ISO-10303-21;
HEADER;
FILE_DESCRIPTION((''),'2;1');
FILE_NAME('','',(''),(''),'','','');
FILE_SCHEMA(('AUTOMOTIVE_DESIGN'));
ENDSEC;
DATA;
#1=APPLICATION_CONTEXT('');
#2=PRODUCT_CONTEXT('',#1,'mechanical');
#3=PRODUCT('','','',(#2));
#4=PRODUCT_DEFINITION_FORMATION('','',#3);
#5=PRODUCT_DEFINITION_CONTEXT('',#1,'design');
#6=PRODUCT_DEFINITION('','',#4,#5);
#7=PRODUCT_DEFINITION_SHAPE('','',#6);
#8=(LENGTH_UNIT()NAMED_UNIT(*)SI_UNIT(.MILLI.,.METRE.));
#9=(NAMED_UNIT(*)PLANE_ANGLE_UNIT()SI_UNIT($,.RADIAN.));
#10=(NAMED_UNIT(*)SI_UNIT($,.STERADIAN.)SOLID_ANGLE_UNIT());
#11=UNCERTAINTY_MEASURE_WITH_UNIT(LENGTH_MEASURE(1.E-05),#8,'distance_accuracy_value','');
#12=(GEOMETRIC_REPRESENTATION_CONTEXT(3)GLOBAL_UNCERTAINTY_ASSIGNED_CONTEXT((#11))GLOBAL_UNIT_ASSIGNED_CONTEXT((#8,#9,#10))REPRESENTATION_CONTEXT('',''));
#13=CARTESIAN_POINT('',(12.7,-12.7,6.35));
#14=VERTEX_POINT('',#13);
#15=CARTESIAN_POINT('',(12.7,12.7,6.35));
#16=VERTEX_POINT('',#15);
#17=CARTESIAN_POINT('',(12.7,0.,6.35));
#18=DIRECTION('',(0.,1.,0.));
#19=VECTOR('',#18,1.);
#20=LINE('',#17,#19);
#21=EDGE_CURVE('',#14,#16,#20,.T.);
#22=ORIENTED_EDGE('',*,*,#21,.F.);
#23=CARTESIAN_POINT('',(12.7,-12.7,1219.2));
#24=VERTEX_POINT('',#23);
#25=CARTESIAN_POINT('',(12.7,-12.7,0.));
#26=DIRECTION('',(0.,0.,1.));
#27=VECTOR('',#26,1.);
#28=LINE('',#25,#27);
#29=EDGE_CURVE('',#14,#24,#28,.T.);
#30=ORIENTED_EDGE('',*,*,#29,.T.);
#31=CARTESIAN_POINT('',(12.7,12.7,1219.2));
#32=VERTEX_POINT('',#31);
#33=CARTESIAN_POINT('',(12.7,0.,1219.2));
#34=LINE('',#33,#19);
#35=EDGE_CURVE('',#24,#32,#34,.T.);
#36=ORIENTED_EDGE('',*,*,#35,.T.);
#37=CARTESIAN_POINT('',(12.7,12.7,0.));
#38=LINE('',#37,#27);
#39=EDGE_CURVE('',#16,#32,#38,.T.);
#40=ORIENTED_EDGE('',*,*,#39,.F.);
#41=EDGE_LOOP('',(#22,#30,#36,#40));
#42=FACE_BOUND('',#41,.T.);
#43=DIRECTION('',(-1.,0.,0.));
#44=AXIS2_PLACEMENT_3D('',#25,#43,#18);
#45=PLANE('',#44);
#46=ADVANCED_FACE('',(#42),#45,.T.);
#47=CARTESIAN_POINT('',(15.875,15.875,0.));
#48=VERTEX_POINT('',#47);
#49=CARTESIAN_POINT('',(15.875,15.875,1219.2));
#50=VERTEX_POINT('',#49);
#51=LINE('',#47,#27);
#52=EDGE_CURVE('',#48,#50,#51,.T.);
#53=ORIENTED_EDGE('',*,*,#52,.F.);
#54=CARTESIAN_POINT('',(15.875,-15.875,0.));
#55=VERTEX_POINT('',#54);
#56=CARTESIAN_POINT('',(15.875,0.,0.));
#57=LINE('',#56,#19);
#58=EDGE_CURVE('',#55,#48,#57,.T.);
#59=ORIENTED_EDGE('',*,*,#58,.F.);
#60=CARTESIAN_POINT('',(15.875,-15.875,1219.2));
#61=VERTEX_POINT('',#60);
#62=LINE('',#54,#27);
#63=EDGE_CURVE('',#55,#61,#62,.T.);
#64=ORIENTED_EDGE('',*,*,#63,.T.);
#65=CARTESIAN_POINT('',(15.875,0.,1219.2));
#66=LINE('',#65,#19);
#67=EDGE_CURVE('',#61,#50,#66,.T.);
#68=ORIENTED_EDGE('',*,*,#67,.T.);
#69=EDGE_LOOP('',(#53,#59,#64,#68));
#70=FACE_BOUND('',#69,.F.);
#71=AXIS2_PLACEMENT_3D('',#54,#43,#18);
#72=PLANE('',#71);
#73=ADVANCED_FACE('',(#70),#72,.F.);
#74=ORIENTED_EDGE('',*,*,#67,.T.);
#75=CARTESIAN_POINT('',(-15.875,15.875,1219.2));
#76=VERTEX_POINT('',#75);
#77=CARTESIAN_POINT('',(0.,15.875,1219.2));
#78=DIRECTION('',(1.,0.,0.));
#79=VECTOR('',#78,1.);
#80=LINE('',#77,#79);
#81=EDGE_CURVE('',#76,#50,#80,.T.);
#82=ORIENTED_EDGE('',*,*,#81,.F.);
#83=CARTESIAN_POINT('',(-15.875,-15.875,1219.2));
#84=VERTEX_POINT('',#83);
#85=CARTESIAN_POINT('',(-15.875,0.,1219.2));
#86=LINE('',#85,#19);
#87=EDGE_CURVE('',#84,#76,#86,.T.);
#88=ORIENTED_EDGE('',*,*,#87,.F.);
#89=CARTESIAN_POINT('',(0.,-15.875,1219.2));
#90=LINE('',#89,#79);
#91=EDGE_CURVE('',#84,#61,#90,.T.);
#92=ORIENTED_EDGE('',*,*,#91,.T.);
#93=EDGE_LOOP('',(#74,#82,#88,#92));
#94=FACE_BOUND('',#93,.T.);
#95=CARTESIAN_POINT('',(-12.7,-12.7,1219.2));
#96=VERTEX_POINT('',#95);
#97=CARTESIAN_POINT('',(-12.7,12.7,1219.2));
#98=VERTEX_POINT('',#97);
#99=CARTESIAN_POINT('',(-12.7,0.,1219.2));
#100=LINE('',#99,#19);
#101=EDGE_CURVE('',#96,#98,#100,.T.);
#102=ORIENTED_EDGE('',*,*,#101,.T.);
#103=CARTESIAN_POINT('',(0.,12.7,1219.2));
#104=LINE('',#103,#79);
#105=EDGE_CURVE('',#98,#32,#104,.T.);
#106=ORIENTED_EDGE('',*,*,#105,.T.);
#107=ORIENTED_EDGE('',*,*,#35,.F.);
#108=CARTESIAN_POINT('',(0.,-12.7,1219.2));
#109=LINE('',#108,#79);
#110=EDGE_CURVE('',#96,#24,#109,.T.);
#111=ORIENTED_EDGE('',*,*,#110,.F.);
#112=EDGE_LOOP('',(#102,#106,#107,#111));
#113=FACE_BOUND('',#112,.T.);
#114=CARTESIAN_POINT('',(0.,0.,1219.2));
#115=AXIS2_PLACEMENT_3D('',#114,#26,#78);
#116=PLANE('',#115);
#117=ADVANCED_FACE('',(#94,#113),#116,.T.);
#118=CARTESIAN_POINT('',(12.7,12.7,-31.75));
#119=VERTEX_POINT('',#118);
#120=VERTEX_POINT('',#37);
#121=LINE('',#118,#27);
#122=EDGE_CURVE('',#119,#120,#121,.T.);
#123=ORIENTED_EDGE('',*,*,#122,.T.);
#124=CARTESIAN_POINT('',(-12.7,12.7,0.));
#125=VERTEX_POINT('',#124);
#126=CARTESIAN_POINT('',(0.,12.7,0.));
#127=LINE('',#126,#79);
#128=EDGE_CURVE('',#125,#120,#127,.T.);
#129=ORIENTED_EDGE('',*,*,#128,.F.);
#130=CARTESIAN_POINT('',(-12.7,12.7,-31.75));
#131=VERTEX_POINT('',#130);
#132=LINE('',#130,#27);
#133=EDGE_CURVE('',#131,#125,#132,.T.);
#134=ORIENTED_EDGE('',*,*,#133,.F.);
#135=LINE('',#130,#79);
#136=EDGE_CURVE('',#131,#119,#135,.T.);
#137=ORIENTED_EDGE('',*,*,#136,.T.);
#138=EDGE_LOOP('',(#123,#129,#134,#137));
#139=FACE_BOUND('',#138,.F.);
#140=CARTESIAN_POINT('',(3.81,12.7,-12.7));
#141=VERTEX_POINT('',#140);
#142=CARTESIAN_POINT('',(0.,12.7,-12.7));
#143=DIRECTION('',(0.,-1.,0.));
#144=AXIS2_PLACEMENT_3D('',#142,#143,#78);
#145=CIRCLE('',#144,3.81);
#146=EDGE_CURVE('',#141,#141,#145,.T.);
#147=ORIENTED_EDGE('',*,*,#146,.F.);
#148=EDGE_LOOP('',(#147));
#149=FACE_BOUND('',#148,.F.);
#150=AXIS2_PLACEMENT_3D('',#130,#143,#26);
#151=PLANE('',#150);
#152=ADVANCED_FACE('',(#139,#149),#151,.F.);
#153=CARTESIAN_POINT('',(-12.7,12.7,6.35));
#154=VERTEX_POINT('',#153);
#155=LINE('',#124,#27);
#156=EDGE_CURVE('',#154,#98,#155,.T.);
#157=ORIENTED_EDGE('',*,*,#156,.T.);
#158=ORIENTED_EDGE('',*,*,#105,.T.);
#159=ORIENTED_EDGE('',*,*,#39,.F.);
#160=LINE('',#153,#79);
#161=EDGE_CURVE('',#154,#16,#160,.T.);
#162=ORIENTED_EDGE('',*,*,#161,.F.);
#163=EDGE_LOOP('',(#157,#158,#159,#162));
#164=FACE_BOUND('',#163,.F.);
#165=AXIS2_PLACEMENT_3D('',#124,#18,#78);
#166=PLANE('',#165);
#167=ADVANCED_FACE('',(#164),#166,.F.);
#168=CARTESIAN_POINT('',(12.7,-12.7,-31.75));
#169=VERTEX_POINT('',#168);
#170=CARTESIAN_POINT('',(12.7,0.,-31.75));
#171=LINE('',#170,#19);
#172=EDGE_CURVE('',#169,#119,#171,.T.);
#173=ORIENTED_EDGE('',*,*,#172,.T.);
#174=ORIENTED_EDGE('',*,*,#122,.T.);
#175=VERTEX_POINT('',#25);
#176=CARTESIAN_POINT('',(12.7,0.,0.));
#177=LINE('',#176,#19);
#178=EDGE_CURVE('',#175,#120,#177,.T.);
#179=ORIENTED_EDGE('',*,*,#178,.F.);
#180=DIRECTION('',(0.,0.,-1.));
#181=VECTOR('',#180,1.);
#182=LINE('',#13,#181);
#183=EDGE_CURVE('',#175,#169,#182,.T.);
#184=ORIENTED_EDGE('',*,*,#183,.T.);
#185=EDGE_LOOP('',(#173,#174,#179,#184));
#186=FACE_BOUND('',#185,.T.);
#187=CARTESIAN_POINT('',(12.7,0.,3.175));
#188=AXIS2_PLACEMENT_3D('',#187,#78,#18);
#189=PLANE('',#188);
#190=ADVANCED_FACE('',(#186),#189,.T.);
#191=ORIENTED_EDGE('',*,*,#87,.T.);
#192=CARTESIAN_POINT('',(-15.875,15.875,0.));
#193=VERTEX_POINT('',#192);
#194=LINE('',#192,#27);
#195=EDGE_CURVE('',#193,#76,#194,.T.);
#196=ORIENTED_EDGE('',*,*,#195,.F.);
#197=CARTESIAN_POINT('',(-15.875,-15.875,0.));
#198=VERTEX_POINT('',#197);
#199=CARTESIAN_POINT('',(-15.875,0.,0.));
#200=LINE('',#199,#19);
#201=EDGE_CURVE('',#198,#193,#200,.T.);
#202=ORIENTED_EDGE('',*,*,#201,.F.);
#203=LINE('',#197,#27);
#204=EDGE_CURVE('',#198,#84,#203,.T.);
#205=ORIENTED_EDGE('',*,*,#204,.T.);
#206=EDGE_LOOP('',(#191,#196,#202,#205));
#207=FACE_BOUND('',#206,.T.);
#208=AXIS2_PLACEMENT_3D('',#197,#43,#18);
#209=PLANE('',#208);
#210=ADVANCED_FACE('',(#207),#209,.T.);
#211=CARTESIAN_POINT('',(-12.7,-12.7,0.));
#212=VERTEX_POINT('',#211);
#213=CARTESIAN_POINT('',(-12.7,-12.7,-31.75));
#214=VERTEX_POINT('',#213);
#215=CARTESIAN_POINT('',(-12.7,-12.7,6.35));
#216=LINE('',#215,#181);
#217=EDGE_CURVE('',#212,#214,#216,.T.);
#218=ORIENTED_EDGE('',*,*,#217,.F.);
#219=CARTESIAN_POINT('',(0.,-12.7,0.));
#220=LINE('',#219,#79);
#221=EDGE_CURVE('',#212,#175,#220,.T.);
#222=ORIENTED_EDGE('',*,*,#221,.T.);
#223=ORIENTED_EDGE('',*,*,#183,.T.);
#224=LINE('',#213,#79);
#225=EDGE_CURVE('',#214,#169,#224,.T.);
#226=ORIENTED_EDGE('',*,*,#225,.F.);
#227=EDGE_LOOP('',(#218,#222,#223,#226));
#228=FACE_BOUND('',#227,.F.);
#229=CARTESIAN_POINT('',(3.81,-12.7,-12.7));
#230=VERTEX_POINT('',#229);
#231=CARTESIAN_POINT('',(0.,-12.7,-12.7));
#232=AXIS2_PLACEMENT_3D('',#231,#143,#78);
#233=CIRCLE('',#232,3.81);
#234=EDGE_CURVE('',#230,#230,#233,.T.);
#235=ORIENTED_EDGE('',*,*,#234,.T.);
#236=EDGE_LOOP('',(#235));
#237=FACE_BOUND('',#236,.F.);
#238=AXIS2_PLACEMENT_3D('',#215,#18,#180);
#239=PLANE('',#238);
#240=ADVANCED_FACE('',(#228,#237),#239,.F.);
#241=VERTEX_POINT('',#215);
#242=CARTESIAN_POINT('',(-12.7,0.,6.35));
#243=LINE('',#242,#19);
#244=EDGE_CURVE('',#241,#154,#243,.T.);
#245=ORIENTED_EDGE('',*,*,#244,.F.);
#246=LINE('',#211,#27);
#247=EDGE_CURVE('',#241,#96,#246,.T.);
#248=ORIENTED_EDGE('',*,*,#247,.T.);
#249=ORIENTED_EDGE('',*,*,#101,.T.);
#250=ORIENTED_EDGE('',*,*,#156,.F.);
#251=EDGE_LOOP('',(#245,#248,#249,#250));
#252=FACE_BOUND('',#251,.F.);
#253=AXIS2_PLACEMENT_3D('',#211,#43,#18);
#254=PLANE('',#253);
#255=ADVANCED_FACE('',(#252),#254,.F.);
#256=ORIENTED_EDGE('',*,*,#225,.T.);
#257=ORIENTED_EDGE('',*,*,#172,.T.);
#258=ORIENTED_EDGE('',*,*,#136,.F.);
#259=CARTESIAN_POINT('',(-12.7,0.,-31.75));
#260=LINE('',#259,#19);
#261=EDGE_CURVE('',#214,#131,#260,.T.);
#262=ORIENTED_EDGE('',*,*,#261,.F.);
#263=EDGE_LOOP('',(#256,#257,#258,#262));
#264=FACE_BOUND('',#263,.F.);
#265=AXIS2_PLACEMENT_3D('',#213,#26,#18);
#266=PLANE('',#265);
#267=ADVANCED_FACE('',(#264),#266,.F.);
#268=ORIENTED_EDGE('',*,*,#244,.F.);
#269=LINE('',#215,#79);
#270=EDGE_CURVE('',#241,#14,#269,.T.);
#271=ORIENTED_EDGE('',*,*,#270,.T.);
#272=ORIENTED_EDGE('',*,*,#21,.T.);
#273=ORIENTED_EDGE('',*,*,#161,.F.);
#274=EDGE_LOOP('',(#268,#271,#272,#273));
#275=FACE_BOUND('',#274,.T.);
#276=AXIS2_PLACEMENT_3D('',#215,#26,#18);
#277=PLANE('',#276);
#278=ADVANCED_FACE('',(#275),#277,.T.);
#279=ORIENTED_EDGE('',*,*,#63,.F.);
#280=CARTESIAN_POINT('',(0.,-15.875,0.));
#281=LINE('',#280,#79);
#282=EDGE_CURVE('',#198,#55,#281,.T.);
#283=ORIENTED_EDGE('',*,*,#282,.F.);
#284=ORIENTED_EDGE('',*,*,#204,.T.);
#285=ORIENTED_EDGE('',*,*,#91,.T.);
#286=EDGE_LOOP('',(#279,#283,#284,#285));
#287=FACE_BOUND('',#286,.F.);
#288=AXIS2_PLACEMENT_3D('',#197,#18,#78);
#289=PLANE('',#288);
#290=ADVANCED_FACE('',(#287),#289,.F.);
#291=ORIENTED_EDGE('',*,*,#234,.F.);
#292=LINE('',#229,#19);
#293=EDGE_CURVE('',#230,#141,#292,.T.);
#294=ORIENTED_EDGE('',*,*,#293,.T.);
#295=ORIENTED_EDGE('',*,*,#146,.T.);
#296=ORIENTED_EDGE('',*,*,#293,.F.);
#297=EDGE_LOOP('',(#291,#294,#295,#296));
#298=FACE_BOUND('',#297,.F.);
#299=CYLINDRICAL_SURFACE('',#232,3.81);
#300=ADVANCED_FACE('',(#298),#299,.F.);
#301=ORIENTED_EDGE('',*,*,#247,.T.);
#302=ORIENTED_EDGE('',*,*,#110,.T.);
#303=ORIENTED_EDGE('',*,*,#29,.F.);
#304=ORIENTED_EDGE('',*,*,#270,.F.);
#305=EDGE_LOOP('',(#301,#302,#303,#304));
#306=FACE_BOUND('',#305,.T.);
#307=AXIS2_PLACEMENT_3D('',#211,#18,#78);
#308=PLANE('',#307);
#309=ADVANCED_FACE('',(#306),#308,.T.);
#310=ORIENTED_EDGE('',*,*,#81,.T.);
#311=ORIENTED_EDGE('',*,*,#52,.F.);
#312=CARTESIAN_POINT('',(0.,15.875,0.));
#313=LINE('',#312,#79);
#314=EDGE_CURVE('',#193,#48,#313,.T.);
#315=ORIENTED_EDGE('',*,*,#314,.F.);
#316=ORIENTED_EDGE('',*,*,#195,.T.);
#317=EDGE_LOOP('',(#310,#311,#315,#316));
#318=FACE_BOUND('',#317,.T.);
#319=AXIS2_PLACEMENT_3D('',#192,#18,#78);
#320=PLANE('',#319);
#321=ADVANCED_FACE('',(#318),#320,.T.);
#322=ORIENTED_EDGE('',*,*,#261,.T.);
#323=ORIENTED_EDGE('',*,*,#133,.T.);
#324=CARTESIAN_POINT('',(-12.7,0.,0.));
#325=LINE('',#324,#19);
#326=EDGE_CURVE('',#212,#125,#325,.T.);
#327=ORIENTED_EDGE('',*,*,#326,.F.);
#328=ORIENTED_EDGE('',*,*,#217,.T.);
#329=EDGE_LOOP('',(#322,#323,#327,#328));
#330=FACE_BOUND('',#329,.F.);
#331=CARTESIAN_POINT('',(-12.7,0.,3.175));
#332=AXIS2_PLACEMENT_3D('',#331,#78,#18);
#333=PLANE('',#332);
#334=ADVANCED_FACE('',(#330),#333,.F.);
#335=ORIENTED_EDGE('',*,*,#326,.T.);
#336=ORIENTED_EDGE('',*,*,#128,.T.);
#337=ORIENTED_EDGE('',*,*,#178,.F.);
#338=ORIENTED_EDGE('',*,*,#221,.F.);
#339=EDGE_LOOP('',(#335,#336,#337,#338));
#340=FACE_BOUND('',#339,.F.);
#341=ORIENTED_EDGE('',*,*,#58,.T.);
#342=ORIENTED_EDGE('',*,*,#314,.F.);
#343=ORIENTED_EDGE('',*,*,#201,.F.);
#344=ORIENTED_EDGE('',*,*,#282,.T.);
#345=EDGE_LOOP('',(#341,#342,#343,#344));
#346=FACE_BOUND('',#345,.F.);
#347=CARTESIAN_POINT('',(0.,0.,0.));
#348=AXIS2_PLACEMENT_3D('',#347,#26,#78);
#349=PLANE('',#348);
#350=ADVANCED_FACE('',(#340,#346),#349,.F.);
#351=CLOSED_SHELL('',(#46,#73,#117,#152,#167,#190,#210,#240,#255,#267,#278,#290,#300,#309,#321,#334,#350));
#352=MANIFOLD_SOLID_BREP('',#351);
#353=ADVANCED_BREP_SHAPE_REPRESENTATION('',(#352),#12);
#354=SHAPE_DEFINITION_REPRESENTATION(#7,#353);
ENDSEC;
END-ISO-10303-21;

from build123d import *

# Parameters (mm, degrees)
F0_W      = 31.75
F0_H      = 31.75
F0_W_2    = 25.4
F0_H_2    = 25.4
F1_DEPTH  = 1219.2
F2_W      = 25.4
F2_H      = 25.4
F3_DEPTH  = 31.75
F4_R      = 3.81
F5_DEPTH  = 28.576
F7_W      = 25.4
F7_H      = 6.35
F7_H_2    = 31.75
F8_DEPTH  = 25.4
F9_R      = 3.81
F10_DEPTH = 28.576


with BuildPart() as f1:
    # F0 (on Top) → F1 (new body)
    with BuildSketch(Plane.XY):
        Rectangle(F0_W, F0_H)
        Rectangle(F0_W_2, F0_H_2, mode=Mode.SUBTRACT)
    extrude(amount=F1_DEPTH)

    # F7 (on face) → F8 (join)
    with BuildSketch(Plane.YZ.offset(-12.7)):
        with Locations((0, 3.175)):
            Rectangle(F7_W, F7_H)
        with Locations((0, -15.875)):
            Rectangle(F7_W, F7_H_2)
    extrude(amount=F8_DEPTH)

    # F9 (on face) → F10 (cut, through all)
    with BuildSketch(Plane.XZ.offset(12.7)):
        with Locations((0, -12.7)):
            Circle(F9_R)
    extrude(amount=-F10_DEPTH, mode=Mode.SUBTRACT)


with BuildPart() as f3:
    # F2 (on face) → F3 (new body)
    with BuildSketch(Plane(origin=(0, 0, 0), x_dir=(1, 0, 0), z_dir=(0, 0, -1))):
        Rectangle(F2_W, F2_H)
    extrude(amount=F3_DEPTH)

    # F4 (on face) → F5 (cut, through all)
    with BuildSketch(Plane.XZ.offset(12.7)):
        with Locations((0, -12.7)):
            Circle(F4_R)
    extrude(amount=-F5_DEPTH, mode=Mode.SUBTRACT)


solid = f1.part
